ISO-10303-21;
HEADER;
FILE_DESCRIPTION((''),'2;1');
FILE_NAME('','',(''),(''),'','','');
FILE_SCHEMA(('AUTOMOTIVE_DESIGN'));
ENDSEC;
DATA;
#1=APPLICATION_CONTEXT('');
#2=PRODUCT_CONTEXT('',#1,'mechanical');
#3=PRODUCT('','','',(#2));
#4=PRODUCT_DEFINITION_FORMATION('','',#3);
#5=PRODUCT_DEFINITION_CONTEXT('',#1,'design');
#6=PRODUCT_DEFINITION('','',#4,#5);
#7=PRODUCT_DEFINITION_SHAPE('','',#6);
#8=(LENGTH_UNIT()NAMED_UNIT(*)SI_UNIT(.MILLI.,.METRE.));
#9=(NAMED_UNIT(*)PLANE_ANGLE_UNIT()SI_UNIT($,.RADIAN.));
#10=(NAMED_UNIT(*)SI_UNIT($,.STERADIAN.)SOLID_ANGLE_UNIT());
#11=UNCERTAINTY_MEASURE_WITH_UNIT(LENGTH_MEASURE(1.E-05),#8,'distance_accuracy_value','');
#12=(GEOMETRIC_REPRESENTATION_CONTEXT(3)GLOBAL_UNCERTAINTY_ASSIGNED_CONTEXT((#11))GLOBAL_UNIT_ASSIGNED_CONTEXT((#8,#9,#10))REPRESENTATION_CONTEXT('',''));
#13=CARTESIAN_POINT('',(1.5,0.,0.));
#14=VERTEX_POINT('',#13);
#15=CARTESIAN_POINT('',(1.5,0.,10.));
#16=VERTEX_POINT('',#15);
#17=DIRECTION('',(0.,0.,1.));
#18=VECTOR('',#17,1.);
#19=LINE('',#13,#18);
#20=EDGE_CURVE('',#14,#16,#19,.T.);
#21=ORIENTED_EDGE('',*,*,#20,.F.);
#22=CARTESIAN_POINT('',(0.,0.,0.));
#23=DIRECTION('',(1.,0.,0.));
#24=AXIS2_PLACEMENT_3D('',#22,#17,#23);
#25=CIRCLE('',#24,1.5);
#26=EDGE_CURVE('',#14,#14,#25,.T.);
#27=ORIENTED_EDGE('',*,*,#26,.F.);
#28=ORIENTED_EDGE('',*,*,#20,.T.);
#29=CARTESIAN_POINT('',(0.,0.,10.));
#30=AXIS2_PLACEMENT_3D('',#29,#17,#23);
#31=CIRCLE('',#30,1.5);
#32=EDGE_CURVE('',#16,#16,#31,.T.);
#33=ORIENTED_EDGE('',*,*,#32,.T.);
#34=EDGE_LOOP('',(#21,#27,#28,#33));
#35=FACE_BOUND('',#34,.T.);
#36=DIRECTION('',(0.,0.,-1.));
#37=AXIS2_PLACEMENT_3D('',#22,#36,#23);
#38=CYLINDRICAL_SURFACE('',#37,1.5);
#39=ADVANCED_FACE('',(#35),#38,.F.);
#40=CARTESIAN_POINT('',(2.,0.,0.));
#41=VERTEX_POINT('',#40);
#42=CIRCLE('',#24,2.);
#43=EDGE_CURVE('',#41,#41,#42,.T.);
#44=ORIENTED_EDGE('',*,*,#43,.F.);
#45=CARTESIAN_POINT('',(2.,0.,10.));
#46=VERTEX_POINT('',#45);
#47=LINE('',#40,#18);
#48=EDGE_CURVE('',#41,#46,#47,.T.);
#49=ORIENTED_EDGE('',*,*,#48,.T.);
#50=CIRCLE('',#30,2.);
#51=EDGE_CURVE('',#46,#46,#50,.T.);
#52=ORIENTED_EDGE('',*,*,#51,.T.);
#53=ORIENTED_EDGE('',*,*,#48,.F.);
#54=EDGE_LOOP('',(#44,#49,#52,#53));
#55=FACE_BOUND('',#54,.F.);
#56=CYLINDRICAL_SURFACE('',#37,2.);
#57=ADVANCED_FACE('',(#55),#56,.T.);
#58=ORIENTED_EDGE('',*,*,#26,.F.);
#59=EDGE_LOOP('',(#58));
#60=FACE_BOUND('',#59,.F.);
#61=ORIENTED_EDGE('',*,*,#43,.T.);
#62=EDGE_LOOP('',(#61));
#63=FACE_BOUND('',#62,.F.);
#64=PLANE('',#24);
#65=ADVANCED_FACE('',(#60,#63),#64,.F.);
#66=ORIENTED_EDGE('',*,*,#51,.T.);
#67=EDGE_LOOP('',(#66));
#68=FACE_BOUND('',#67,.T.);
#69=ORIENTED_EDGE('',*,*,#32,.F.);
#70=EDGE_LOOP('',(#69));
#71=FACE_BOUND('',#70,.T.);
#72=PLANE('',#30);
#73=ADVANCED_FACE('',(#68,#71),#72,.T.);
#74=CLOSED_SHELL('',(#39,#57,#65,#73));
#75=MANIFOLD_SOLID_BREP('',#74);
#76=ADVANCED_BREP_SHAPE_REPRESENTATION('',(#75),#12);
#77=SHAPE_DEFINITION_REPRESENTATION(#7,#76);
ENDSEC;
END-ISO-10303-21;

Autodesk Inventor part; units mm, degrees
ref_plane "YZ Plane" through (0, 0, 0) normal (1, 0, 0) x (0, 1, 0)
ref_plane "XZ Plane" through (0, 0, 0) normal (0, 1, 0) x (-1, 0, 0)
ref_plane "XY Plane" through (0, 0, 0) normal (0, 0, 1) x (1, 0, 0)
sketch "Sketch1" plane through (0, 0, 0) normal (0, 0, 1) x (1, 0, 0)
  circle A0 centre (0, 0) radius 2
  circle A1 centre (0, 0) radius 1.5
  dimension "d0" = 4
  dimension "d1" = 3
extrude "Extrusion1" add sketch "Sketch1" along normal blind 10
properties part number "Elytron_rod" material "CFRP"
